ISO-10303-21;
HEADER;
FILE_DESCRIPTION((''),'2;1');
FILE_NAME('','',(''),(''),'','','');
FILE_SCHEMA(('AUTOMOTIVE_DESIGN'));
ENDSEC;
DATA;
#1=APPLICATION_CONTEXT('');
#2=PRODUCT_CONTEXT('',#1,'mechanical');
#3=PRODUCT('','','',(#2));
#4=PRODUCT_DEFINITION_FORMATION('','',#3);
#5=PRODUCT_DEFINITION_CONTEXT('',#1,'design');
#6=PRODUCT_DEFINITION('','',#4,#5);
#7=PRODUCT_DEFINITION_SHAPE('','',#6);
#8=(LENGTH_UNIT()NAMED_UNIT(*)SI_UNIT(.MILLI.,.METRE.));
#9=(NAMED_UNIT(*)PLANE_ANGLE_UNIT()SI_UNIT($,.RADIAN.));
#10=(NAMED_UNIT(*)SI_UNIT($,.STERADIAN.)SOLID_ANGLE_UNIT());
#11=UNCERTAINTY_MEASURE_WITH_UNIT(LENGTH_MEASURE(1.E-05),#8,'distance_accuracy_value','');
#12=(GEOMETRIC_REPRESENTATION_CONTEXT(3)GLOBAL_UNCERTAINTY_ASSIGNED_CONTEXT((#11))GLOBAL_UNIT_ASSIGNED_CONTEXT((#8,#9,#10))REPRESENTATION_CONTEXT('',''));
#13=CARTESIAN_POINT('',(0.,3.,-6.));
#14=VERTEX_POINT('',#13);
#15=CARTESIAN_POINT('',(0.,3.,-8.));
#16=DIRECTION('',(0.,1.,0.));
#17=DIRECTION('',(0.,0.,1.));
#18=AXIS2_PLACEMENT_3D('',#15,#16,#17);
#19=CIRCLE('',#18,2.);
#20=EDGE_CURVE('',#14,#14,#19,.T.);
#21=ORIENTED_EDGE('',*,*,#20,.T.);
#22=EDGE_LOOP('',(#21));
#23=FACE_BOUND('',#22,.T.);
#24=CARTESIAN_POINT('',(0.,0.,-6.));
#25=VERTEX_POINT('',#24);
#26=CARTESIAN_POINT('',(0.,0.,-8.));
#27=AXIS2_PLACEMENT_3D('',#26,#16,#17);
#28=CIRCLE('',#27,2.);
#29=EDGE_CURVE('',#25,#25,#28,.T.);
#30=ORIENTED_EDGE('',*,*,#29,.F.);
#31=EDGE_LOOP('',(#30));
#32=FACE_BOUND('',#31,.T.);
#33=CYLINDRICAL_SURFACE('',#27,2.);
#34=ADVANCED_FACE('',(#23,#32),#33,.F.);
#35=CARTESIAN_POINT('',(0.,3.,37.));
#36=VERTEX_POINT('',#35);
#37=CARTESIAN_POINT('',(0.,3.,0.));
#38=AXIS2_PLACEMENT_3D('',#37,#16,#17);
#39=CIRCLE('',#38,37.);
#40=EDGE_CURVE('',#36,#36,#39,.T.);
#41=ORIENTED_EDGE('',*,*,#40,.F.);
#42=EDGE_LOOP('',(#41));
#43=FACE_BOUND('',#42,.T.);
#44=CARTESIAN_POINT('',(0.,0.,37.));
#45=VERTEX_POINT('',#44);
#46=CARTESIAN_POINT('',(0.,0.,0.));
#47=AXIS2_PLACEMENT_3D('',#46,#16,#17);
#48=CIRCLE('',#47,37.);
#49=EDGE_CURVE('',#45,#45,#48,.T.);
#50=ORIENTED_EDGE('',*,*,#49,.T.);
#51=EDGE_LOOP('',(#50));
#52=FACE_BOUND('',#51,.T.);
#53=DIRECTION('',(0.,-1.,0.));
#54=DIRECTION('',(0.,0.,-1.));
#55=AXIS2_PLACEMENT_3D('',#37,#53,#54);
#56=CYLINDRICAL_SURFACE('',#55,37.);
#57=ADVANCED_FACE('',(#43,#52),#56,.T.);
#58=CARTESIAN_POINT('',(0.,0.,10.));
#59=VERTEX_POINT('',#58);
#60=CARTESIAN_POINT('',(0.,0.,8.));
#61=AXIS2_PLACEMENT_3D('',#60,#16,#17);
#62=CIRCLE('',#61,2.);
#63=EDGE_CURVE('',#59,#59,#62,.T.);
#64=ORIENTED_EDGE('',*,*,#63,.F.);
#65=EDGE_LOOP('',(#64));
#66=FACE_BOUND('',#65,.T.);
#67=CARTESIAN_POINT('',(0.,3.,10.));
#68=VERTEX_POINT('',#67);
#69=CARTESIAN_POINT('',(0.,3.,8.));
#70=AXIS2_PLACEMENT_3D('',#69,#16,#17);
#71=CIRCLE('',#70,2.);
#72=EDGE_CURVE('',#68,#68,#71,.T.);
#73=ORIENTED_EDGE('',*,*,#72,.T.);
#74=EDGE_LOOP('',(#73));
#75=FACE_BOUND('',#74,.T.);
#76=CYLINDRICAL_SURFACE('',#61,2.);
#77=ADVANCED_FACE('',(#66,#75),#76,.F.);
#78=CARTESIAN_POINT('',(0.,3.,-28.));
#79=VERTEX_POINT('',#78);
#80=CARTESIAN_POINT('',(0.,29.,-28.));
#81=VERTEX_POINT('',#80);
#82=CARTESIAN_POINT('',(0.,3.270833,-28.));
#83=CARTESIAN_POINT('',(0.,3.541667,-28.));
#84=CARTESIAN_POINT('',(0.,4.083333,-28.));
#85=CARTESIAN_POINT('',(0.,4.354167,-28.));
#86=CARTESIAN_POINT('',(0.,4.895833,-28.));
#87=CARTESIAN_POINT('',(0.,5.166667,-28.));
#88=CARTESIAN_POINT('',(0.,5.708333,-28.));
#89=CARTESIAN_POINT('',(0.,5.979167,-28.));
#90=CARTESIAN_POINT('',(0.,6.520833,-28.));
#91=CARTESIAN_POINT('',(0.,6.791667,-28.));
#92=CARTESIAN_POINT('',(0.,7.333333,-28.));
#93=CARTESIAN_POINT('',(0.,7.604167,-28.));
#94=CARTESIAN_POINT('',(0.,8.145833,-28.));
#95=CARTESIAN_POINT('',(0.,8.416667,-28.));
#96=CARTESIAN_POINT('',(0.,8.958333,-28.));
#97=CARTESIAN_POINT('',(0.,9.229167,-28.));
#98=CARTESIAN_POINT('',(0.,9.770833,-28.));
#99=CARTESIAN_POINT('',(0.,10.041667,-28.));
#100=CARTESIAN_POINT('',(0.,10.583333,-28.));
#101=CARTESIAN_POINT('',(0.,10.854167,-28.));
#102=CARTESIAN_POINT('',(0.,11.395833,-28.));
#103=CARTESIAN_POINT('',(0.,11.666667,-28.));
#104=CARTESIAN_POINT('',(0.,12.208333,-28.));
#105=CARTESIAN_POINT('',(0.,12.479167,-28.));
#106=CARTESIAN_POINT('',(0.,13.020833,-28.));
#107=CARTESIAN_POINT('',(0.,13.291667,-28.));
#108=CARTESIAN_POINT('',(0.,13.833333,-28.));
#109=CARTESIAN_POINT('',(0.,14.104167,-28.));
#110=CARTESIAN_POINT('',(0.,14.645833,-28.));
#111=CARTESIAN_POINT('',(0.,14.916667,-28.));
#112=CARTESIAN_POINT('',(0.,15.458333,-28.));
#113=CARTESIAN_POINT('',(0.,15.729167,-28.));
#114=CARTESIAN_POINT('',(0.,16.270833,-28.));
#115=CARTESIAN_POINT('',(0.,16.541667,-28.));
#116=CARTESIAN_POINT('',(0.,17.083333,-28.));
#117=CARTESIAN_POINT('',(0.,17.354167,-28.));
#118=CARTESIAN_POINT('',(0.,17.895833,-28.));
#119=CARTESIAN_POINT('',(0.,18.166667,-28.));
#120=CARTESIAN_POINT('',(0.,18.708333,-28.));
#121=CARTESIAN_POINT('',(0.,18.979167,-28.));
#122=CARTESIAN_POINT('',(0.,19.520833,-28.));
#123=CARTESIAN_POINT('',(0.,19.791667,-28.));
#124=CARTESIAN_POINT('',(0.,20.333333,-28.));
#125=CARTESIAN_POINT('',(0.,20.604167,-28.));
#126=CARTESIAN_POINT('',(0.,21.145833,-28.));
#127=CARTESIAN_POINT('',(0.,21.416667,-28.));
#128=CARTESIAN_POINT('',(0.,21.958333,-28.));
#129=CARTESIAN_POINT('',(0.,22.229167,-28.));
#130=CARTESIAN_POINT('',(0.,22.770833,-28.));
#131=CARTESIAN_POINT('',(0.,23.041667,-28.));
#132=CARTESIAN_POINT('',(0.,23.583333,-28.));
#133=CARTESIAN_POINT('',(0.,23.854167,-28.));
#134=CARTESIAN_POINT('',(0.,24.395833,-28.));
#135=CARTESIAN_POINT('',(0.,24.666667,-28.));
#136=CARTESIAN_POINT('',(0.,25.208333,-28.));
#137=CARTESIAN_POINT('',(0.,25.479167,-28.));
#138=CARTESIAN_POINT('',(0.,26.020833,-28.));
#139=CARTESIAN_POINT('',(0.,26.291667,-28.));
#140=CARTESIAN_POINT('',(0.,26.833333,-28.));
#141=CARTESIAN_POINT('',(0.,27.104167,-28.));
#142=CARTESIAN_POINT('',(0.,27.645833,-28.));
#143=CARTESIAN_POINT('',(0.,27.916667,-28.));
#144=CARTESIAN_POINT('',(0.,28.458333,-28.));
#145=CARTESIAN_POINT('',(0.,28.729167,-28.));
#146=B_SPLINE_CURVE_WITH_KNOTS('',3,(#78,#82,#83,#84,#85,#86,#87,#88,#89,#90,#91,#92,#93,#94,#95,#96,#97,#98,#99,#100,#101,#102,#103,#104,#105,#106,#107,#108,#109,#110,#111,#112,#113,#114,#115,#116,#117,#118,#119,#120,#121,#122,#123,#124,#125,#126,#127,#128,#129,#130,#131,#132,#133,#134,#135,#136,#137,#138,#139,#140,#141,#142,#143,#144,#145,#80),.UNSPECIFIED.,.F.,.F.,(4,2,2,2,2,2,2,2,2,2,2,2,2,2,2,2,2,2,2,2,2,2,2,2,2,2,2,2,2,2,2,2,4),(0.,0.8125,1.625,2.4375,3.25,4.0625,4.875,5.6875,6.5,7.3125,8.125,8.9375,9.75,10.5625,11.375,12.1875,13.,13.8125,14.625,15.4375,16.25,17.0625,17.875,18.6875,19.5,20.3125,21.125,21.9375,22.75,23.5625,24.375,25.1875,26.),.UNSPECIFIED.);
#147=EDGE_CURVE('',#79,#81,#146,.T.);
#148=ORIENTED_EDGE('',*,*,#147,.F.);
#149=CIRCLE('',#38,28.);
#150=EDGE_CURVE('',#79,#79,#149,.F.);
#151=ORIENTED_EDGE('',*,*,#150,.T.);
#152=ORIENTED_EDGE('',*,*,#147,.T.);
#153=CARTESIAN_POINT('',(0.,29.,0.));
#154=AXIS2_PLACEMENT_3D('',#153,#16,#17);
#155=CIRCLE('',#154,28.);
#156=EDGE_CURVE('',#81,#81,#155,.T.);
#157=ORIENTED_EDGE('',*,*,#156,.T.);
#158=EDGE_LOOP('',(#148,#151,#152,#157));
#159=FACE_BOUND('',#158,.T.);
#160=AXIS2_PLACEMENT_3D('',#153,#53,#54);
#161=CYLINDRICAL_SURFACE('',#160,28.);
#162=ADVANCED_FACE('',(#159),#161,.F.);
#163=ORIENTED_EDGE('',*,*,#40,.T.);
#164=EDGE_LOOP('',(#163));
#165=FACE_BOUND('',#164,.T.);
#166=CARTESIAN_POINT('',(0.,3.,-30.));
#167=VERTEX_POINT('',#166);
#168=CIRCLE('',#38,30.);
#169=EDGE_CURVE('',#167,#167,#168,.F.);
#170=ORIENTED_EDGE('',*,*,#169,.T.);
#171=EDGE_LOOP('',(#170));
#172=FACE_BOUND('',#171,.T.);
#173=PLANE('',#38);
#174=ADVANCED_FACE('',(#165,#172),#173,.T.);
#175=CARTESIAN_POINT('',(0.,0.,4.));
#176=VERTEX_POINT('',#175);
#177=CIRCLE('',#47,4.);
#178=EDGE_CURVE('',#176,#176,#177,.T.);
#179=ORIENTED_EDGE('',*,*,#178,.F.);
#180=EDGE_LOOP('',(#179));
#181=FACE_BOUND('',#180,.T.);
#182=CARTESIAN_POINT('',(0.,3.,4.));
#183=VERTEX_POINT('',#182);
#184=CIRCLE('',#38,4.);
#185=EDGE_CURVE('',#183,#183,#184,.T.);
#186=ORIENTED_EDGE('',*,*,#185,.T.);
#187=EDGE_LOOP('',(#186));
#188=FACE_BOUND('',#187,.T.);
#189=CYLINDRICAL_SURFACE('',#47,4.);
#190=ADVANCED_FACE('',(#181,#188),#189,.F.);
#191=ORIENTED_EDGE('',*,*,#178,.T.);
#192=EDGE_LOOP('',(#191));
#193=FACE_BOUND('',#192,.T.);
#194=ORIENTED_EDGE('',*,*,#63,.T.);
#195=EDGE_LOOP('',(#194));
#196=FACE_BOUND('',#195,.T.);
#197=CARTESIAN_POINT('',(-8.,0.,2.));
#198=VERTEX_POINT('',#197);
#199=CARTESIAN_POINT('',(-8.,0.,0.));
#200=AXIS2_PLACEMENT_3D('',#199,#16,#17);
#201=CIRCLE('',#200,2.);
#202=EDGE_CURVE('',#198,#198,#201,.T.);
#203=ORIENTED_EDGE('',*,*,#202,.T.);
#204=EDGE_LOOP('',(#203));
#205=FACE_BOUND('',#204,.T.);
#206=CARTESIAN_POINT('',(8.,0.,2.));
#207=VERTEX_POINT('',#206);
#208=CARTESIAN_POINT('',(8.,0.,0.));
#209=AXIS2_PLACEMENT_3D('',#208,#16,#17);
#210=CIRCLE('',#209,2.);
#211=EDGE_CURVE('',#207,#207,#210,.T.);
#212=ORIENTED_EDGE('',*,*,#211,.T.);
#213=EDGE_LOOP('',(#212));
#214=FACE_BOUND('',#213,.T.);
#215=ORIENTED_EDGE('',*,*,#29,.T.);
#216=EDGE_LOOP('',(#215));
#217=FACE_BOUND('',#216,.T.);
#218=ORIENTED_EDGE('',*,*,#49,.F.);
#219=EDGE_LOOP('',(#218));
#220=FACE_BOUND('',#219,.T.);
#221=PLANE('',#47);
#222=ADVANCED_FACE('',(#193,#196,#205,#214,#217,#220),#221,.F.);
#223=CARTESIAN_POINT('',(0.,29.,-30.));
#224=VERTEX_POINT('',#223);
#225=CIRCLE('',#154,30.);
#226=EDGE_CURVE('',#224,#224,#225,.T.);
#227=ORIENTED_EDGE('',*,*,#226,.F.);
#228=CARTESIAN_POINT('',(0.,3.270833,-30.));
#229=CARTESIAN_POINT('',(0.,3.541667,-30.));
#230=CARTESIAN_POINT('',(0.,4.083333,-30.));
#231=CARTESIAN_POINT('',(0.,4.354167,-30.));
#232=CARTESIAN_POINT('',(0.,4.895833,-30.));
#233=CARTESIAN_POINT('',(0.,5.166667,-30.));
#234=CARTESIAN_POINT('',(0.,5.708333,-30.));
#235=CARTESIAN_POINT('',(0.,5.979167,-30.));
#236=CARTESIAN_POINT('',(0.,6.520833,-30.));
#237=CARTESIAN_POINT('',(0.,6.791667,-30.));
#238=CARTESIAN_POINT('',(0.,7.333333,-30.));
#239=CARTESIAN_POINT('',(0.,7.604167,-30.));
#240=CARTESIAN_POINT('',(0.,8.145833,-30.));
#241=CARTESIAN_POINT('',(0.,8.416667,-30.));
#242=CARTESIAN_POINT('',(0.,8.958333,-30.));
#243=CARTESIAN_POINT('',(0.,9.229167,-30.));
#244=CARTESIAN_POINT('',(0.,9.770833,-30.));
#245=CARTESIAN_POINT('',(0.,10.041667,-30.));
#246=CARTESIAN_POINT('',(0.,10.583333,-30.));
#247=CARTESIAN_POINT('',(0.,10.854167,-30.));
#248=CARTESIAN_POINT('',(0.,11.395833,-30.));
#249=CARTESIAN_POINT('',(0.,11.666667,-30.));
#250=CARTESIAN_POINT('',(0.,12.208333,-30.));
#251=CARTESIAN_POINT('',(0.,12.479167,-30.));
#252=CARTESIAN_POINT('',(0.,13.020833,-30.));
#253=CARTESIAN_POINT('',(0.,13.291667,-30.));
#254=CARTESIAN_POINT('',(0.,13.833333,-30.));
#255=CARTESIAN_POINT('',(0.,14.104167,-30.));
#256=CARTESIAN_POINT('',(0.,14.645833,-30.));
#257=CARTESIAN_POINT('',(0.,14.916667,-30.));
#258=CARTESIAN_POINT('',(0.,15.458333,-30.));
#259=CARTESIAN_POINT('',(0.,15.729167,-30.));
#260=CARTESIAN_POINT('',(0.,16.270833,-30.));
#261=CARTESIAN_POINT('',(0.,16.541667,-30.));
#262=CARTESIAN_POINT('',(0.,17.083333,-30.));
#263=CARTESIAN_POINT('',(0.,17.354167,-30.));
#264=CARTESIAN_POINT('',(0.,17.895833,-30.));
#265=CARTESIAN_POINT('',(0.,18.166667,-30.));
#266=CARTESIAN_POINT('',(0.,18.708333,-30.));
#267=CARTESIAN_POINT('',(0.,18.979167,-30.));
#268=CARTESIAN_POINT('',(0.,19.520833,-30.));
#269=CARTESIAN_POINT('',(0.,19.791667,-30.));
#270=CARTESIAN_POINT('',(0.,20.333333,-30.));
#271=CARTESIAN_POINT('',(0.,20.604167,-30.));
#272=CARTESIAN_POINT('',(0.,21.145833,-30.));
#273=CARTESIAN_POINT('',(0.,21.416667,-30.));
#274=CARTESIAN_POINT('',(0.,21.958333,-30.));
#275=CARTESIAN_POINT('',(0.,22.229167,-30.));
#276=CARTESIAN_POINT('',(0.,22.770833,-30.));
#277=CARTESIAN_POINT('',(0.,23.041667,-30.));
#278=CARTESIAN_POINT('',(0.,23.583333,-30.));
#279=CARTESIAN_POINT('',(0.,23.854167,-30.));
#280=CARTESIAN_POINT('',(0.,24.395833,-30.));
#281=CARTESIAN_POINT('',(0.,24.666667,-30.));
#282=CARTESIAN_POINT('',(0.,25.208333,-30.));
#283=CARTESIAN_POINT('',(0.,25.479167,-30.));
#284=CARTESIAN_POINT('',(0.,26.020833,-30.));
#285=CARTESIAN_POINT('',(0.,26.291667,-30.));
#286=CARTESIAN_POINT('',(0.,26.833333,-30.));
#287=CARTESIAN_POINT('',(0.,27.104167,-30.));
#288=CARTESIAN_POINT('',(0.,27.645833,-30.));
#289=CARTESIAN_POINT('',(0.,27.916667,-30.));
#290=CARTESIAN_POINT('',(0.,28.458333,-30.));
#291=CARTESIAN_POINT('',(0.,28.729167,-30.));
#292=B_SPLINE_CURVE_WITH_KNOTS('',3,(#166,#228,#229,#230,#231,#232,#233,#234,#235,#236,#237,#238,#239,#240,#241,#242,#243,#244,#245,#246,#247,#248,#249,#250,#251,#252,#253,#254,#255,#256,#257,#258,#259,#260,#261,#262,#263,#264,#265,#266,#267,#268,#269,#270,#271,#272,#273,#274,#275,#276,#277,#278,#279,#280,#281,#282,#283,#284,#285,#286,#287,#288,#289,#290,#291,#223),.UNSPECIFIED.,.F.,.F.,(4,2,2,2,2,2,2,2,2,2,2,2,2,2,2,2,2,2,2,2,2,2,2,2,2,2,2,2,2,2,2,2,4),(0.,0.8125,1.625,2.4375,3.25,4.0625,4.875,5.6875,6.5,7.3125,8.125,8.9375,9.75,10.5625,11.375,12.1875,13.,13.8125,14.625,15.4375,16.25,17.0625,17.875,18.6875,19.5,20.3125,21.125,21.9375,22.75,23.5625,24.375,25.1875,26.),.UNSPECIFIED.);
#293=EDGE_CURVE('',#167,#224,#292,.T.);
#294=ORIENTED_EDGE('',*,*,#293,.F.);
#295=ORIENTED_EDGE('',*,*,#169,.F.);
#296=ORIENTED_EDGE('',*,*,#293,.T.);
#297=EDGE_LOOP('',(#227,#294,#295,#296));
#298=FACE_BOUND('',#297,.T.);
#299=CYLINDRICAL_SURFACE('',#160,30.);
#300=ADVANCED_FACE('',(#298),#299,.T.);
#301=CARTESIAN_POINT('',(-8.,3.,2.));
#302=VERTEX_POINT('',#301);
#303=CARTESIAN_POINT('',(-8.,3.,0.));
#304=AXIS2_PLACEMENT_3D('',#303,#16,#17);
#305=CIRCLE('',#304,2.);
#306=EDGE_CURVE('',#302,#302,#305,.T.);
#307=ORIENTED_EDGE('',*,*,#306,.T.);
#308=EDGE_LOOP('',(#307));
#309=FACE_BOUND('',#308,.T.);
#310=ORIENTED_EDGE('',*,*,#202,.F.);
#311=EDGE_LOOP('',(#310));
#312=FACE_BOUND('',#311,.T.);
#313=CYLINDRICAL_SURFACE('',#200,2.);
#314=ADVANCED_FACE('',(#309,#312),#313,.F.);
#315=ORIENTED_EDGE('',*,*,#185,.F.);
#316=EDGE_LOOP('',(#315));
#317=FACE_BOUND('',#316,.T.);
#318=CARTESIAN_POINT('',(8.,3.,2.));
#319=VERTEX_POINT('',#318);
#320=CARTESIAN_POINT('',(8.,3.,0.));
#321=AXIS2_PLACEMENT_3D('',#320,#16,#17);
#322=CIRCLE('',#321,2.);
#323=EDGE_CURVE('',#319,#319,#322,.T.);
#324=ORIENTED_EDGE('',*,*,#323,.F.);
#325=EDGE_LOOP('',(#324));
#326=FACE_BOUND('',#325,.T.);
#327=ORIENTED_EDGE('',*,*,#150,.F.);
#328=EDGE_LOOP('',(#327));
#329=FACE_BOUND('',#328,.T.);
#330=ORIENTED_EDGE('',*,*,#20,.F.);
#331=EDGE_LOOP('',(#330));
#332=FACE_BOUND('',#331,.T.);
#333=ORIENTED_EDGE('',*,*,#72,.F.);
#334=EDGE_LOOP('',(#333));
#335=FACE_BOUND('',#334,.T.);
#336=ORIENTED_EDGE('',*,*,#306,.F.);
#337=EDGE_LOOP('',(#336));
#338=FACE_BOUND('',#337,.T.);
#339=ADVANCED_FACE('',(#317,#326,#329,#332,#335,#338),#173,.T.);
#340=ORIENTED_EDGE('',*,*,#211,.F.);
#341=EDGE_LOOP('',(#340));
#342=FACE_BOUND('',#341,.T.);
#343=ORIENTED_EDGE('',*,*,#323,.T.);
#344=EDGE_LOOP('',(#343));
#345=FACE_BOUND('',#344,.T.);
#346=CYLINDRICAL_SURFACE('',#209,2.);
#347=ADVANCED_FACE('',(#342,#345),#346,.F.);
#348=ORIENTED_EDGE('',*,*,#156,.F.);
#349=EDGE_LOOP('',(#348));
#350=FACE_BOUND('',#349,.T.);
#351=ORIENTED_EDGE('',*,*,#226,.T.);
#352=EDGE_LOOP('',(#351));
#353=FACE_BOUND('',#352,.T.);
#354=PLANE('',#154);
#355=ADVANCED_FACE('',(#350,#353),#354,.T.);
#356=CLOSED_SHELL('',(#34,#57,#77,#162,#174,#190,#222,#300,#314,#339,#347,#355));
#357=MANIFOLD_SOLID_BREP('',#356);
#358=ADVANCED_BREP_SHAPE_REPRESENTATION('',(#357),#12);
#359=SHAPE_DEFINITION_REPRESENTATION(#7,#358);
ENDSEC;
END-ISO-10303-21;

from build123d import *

# Parameters (mm, degrees)
SKETCH1_R           = 37
BOSS_EXTRUDE1_DEPTH = 3
SKETCH1_3_R         = 30
SKETCH1_3_R_2       = 28
BOSS_EXTRUDE2_DEPTH = 29
SKETCH2_R           = 4
SKETCH2_R_2         = 2
CUT_EXTRUDE1_DEPTH  = 59.429444632


with BuildPart() as part:
    # Sketch1 → Boss-Extrude1 (new body)
    with BuildSketch(Plane(origin=(0, 0, 0), x_dir=(1, 0, 0), z_dir=(0, 1, 0))):
        Circle(SKETCH1_R)
    extrude(amount=BOSS_EXTRUDE1_DEPTH)

    # Sketch1<3> → Boss-Extrude2 (add)
    with BuildSketch(Plane(origin=(0, 0, 0), x_dir=(1, 0, 0), z_dir=(0, 1, 0))):
        Circle(SKETCH1_3_R)
        Circle(SKETCH1_3_R_2, mode=Mode.SUBTRACT)
    extrude(amount=BOSS_EXTRUDE2_DEPTH)

    # Sketch2 → Cut-Extrude1 (cut, through all)
    with BuildSketch(Plane(origin=(0, 3, 0), x_dir=(1, 0, 0), z_dir=(0, 1, 0))):
        Circle(SKETCH2_R)
        with Locations((8, 0)):
            Circle(SKETCH2_R_2)
        with Locations((0, -8)):
            Circle(SKETCH2_R_2)
        with Locations((-8, 0)):
            Circle(SKETCH2_R_2)
        with Locations((0, 8)):
            Circle(SKETCH2_R_2)
    extrude(amount=-CUT_EXTRUDE1_DEPTH, mode=Mode.SUBTRACT)


solid = part.part
